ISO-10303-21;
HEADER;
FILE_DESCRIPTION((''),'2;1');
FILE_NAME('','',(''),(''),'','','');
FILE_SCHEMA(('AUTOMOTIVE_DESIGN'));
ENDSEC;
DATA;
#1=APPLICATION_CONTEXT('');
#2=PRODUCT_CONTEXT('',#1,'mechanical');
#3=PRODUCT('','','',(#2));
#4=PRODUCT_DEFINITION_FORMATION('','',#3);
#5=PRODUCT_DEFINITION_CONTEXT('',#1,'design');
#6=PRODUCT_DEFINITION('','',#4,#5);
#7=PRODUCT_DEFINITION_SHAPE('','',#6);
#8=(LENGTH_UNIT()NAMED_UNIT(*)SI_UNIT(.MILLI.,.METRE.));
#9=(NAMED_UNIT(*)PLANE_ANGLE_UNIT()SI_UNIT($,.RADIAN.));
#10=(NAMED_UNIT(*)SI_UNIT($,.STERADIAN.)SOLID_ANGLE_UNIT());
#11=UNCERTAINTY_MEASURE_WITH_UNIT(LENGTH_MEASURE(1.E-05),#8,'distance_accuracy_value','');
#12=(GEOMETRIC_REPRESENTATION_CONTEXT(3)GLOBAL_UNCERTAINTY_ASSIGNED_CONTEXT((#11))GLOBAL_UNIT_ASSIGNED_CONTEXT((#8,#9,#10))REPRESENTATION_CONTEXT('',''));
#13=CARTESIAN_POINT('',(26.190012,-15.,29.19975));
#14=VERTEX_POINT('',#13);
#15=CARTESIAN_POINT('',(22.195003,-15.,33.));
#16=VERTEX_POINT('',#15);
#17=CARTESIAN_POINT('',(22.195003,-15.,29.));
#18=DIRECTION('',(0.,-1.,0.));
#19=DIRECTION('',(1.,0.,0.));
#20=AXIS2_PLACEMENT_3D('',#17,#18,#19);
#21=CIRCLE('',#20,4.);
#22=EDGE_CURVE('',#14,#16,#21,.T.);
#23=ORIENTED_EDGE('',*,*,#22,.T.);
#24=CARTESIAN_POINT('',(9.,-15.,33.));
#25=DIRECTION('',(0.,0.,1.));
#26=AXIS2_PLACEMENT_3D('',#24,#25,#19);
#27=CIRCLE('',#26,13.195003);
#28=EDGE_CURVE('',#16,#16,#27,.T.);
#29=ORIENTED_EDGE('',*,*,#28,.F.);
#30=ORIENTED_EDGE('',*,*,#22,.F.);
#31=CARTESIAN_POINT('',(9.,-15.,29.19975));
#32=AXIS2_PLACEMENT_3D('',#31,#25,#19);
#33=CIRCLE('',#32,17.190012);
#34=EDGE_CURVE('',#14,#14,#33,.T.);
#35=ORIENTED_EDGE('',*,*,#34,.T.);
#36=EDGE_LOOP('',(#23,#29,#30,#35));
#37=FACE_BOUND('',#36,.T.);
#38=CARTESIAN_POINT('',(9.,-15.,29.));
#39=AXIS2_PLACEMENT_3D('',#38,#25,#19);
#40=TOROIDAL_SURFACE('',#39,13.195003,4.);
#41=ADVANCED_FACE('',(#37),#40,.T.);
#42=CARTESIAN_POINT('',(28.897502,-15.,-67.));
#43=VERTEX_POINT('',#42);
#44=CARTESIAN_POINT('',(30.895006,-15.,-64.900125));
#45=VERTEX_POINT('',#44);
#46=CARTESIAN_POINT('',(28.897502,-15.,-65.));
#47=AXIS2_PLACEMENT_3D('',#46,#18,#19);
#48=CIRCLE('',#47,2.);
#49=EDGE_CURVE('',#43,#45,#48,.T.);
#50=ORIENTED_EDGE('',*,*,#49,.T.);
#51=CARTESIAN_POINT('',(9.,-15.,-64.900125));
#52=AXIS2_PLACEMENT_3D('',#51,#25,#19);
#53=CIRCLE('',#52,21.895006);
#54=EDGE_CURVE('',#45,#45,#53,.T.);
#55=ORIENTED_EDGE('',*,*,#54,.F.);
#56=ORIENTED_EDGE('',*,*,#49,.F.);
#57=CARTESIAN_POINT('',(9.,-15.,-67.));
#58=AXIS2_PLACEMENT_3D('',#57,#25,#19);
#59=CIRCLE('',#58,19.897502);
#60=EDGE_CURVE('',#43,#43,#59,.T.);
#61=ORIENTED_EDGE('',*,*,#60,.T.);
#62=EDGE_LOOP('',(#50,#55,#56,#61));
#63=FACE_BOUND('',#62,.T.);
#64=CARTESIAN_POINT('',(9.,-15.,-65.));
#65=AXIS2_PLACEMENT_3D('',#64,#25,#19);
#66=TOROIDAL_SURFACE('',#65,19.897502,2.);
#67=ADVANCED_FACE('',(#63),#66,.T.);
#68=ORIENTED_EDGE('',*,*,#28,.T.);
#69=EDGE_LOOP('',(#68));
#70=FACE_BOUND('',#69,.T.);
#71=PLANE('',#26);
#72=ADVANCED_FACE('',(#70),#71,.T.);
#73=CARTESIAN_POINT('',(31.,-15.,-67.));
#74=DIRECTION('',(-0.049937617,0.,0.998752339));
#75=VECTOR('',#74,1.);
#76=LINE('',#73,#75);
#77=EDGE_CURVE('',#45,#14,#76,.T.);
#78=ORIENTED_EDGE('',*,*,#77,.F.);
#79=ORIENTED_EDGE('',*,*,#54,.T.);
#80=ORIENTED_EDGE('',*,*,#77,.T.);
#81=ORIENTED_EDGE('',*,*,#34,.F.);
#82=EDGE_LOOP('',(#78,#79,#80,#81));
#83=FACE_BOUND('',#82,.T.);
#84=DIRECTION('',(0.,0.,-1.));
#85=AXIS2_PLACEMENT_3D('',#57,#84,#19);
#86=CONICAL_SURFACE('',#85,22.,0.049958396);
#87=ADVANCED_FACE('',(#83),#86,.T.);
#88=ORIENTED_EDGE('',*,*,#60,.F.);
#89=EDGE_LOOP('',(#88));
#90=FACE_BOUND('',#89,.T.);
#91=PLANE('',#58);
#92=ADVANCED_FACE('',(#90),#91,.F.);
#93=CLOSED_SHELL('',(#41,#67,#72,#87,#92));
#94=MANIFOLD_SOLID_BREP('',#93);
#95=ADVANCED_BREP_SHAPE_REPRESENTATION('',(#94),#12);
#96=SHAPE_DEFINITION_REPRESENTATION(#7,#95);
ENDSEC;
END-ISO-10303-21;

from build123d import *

# Parameters (mm, degrees)
FILLET008_R = 2
FILLET013_R = 4


with BuildPart() as part:
    # Cone003 → Cone003 (revolve)
    with BuildSketch(Plane(origin=(7, -12, -84), x_dir=(1, 0, 0), z_dir=(0, -1, 0))):
        Polygon((0, 0), (22, 0), (17, 100), (0, 100), align=None)
    revolve(axis=Axis((7, -12, -84), (0, 0, 1)))

    # Fillet008
    fillet008_edges = [part.edges().sort_by_distance(p)[0] for p in [
        (-15, -12, -84),
    ]]
    fillet(fillet008_edges, radius=FILLET008_R)


with BuildPart() as part_1:
    # Fillet008 placement: moved
    add(part.part.moved(Location((2, -3, 17))))

    # Fillet013
    fillet013_edges = [part_1.edges().sort_by_distance(p)[0] for p in [
        (-8, -15, 33),
    ]]
    fillet(fillet013_edges, radius=FILLET013_R)


solid = part_1.part
